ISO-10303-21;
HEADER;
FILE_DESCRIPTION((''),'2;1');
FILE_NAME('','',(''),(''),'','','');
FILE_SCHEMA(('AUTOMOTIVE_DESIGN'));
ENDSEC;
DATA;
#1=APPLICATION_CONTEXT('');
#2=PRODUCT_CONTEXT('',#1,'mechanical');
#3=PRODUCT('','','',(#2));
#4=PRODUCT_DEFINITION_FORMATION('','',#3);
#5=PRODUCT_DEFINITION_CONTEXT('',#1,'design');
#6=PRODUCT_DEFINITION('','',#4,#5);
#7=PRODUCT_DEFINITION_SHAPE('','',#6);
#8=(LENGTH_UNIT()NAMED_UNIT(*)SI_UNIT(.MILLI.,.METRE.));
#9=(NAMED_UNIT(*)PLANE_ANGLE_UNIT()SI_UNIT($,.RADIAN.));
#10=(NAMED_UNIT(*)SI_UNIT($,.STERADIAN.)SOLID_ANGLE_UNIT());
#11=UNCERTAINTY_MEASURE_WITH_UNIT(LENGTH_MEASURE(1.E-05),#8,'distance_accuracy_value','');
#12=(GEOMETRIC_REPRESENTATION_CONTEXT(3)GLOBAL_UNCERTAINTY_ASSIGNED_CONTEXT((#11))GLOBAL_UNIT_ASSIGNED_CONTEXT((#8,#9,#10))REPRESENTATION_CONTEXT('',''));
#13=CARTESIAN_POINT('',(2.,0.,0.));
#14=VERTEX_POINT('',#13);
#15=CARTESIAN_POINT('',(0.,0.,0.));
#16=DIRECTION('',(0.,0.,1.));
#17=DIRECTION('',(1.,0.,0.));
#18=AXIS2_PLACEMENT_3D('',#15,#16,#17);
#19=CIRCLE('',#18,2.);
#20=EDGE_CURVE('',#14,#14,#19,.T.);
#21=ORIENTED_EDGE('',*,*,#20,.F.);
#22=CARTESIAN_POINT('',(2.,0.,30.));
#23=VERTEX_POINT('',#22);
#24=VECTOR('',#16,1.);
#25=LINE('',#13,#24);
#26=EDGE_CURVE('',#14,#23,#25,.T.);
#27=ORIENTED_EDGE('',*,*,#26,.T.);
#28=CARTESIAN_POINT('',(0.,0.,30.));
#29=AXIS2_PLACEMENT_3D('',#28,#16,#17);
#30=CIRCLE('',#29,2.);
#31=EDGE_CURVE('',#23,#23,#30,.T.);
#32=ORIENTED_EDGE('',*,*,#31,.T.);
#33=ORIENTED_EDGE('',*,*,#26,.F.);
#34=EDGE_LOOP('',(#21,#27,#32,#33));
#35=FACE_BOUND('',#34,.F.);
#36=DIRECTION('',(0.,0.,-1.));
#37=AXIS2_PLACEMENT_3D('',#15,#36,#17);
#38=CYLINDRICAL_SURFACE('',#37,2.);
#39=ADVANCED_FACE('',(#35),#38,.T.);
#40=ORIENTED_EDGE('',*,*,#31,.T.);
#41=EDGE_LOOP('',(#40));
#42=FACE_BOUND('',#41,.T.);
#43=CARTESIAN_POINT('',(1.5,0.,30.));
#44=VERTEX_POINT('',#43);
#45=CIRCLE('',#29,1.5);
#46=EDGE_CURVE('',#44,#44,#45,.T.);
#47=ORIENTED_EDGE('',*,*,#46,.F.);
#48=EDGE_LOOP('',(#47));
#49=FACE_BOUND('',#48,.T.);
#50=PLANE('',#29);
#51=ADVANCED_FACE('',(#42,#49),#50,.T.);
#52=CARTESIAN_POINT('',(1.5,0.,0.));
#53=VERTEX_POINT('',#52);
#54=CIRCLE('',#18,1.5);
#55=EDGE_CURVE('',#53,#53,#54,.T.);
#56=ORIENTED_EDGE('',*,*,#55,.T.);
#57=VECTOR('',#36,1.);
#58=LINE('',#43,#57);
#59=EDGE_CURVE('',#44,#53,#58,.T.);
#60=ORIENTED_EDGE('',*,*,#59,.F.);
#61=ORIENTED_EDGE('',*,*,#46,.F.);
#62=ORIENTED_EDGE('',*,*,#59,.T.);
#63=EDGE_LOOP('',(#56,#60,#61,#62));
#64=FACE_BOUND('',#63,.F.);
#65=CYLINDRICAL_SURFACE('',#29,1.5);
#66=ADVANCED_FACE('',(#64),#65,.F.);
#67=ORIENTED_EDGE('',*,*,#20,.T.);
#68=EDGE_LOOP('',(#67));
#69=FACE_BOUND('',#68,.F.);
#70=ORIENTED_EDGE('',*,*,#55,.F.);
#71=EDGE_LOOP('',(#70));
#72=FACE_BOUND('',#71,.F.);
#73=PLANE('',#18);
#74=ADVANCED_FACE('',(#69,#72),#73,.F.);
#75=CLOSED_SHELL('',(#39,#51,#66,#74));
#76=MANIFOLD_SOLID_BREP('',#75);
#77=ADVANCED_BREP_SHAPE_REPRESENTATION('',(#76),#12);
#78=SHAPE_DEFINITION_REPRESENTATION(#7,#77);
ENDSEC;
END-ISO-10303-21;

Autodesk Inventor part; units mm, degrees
ref_plane "YZ Plane" through (0, 0, 0) normal (1, 0, 0) x (0, 1, 0)
ref_plane "XZ Plane" through (0, 0, 0) normal (0, 1, 0) x (-1, 0, 0)
ref_plane "XY Plane" through (0, 0, 0) normal (0, 0, 1) x (1, 0, 0)
sketch "スケッチ1" plane through (0, 0, 0) normal (0, 0, 1) x (1, 0, 0)
  circle A0 centre (0, 0) radius 2
  dimension "d0" = 4
extrude "押し出し1" add sketch "スケッチ1" along normal blind 30
sketch "スケッチ2" plane through (0, 0, 30) normal (0, 0, 1) x (1, 0, 0)
  circle A0 centre (0, 0) radius 1.5
  dimension "d3" = 3
extrude "押し出し2" cut sketch "スケッチ2" against normal blind 39
properties part number "キャスター高さ合わせ棒" material "PVC、軟質"
